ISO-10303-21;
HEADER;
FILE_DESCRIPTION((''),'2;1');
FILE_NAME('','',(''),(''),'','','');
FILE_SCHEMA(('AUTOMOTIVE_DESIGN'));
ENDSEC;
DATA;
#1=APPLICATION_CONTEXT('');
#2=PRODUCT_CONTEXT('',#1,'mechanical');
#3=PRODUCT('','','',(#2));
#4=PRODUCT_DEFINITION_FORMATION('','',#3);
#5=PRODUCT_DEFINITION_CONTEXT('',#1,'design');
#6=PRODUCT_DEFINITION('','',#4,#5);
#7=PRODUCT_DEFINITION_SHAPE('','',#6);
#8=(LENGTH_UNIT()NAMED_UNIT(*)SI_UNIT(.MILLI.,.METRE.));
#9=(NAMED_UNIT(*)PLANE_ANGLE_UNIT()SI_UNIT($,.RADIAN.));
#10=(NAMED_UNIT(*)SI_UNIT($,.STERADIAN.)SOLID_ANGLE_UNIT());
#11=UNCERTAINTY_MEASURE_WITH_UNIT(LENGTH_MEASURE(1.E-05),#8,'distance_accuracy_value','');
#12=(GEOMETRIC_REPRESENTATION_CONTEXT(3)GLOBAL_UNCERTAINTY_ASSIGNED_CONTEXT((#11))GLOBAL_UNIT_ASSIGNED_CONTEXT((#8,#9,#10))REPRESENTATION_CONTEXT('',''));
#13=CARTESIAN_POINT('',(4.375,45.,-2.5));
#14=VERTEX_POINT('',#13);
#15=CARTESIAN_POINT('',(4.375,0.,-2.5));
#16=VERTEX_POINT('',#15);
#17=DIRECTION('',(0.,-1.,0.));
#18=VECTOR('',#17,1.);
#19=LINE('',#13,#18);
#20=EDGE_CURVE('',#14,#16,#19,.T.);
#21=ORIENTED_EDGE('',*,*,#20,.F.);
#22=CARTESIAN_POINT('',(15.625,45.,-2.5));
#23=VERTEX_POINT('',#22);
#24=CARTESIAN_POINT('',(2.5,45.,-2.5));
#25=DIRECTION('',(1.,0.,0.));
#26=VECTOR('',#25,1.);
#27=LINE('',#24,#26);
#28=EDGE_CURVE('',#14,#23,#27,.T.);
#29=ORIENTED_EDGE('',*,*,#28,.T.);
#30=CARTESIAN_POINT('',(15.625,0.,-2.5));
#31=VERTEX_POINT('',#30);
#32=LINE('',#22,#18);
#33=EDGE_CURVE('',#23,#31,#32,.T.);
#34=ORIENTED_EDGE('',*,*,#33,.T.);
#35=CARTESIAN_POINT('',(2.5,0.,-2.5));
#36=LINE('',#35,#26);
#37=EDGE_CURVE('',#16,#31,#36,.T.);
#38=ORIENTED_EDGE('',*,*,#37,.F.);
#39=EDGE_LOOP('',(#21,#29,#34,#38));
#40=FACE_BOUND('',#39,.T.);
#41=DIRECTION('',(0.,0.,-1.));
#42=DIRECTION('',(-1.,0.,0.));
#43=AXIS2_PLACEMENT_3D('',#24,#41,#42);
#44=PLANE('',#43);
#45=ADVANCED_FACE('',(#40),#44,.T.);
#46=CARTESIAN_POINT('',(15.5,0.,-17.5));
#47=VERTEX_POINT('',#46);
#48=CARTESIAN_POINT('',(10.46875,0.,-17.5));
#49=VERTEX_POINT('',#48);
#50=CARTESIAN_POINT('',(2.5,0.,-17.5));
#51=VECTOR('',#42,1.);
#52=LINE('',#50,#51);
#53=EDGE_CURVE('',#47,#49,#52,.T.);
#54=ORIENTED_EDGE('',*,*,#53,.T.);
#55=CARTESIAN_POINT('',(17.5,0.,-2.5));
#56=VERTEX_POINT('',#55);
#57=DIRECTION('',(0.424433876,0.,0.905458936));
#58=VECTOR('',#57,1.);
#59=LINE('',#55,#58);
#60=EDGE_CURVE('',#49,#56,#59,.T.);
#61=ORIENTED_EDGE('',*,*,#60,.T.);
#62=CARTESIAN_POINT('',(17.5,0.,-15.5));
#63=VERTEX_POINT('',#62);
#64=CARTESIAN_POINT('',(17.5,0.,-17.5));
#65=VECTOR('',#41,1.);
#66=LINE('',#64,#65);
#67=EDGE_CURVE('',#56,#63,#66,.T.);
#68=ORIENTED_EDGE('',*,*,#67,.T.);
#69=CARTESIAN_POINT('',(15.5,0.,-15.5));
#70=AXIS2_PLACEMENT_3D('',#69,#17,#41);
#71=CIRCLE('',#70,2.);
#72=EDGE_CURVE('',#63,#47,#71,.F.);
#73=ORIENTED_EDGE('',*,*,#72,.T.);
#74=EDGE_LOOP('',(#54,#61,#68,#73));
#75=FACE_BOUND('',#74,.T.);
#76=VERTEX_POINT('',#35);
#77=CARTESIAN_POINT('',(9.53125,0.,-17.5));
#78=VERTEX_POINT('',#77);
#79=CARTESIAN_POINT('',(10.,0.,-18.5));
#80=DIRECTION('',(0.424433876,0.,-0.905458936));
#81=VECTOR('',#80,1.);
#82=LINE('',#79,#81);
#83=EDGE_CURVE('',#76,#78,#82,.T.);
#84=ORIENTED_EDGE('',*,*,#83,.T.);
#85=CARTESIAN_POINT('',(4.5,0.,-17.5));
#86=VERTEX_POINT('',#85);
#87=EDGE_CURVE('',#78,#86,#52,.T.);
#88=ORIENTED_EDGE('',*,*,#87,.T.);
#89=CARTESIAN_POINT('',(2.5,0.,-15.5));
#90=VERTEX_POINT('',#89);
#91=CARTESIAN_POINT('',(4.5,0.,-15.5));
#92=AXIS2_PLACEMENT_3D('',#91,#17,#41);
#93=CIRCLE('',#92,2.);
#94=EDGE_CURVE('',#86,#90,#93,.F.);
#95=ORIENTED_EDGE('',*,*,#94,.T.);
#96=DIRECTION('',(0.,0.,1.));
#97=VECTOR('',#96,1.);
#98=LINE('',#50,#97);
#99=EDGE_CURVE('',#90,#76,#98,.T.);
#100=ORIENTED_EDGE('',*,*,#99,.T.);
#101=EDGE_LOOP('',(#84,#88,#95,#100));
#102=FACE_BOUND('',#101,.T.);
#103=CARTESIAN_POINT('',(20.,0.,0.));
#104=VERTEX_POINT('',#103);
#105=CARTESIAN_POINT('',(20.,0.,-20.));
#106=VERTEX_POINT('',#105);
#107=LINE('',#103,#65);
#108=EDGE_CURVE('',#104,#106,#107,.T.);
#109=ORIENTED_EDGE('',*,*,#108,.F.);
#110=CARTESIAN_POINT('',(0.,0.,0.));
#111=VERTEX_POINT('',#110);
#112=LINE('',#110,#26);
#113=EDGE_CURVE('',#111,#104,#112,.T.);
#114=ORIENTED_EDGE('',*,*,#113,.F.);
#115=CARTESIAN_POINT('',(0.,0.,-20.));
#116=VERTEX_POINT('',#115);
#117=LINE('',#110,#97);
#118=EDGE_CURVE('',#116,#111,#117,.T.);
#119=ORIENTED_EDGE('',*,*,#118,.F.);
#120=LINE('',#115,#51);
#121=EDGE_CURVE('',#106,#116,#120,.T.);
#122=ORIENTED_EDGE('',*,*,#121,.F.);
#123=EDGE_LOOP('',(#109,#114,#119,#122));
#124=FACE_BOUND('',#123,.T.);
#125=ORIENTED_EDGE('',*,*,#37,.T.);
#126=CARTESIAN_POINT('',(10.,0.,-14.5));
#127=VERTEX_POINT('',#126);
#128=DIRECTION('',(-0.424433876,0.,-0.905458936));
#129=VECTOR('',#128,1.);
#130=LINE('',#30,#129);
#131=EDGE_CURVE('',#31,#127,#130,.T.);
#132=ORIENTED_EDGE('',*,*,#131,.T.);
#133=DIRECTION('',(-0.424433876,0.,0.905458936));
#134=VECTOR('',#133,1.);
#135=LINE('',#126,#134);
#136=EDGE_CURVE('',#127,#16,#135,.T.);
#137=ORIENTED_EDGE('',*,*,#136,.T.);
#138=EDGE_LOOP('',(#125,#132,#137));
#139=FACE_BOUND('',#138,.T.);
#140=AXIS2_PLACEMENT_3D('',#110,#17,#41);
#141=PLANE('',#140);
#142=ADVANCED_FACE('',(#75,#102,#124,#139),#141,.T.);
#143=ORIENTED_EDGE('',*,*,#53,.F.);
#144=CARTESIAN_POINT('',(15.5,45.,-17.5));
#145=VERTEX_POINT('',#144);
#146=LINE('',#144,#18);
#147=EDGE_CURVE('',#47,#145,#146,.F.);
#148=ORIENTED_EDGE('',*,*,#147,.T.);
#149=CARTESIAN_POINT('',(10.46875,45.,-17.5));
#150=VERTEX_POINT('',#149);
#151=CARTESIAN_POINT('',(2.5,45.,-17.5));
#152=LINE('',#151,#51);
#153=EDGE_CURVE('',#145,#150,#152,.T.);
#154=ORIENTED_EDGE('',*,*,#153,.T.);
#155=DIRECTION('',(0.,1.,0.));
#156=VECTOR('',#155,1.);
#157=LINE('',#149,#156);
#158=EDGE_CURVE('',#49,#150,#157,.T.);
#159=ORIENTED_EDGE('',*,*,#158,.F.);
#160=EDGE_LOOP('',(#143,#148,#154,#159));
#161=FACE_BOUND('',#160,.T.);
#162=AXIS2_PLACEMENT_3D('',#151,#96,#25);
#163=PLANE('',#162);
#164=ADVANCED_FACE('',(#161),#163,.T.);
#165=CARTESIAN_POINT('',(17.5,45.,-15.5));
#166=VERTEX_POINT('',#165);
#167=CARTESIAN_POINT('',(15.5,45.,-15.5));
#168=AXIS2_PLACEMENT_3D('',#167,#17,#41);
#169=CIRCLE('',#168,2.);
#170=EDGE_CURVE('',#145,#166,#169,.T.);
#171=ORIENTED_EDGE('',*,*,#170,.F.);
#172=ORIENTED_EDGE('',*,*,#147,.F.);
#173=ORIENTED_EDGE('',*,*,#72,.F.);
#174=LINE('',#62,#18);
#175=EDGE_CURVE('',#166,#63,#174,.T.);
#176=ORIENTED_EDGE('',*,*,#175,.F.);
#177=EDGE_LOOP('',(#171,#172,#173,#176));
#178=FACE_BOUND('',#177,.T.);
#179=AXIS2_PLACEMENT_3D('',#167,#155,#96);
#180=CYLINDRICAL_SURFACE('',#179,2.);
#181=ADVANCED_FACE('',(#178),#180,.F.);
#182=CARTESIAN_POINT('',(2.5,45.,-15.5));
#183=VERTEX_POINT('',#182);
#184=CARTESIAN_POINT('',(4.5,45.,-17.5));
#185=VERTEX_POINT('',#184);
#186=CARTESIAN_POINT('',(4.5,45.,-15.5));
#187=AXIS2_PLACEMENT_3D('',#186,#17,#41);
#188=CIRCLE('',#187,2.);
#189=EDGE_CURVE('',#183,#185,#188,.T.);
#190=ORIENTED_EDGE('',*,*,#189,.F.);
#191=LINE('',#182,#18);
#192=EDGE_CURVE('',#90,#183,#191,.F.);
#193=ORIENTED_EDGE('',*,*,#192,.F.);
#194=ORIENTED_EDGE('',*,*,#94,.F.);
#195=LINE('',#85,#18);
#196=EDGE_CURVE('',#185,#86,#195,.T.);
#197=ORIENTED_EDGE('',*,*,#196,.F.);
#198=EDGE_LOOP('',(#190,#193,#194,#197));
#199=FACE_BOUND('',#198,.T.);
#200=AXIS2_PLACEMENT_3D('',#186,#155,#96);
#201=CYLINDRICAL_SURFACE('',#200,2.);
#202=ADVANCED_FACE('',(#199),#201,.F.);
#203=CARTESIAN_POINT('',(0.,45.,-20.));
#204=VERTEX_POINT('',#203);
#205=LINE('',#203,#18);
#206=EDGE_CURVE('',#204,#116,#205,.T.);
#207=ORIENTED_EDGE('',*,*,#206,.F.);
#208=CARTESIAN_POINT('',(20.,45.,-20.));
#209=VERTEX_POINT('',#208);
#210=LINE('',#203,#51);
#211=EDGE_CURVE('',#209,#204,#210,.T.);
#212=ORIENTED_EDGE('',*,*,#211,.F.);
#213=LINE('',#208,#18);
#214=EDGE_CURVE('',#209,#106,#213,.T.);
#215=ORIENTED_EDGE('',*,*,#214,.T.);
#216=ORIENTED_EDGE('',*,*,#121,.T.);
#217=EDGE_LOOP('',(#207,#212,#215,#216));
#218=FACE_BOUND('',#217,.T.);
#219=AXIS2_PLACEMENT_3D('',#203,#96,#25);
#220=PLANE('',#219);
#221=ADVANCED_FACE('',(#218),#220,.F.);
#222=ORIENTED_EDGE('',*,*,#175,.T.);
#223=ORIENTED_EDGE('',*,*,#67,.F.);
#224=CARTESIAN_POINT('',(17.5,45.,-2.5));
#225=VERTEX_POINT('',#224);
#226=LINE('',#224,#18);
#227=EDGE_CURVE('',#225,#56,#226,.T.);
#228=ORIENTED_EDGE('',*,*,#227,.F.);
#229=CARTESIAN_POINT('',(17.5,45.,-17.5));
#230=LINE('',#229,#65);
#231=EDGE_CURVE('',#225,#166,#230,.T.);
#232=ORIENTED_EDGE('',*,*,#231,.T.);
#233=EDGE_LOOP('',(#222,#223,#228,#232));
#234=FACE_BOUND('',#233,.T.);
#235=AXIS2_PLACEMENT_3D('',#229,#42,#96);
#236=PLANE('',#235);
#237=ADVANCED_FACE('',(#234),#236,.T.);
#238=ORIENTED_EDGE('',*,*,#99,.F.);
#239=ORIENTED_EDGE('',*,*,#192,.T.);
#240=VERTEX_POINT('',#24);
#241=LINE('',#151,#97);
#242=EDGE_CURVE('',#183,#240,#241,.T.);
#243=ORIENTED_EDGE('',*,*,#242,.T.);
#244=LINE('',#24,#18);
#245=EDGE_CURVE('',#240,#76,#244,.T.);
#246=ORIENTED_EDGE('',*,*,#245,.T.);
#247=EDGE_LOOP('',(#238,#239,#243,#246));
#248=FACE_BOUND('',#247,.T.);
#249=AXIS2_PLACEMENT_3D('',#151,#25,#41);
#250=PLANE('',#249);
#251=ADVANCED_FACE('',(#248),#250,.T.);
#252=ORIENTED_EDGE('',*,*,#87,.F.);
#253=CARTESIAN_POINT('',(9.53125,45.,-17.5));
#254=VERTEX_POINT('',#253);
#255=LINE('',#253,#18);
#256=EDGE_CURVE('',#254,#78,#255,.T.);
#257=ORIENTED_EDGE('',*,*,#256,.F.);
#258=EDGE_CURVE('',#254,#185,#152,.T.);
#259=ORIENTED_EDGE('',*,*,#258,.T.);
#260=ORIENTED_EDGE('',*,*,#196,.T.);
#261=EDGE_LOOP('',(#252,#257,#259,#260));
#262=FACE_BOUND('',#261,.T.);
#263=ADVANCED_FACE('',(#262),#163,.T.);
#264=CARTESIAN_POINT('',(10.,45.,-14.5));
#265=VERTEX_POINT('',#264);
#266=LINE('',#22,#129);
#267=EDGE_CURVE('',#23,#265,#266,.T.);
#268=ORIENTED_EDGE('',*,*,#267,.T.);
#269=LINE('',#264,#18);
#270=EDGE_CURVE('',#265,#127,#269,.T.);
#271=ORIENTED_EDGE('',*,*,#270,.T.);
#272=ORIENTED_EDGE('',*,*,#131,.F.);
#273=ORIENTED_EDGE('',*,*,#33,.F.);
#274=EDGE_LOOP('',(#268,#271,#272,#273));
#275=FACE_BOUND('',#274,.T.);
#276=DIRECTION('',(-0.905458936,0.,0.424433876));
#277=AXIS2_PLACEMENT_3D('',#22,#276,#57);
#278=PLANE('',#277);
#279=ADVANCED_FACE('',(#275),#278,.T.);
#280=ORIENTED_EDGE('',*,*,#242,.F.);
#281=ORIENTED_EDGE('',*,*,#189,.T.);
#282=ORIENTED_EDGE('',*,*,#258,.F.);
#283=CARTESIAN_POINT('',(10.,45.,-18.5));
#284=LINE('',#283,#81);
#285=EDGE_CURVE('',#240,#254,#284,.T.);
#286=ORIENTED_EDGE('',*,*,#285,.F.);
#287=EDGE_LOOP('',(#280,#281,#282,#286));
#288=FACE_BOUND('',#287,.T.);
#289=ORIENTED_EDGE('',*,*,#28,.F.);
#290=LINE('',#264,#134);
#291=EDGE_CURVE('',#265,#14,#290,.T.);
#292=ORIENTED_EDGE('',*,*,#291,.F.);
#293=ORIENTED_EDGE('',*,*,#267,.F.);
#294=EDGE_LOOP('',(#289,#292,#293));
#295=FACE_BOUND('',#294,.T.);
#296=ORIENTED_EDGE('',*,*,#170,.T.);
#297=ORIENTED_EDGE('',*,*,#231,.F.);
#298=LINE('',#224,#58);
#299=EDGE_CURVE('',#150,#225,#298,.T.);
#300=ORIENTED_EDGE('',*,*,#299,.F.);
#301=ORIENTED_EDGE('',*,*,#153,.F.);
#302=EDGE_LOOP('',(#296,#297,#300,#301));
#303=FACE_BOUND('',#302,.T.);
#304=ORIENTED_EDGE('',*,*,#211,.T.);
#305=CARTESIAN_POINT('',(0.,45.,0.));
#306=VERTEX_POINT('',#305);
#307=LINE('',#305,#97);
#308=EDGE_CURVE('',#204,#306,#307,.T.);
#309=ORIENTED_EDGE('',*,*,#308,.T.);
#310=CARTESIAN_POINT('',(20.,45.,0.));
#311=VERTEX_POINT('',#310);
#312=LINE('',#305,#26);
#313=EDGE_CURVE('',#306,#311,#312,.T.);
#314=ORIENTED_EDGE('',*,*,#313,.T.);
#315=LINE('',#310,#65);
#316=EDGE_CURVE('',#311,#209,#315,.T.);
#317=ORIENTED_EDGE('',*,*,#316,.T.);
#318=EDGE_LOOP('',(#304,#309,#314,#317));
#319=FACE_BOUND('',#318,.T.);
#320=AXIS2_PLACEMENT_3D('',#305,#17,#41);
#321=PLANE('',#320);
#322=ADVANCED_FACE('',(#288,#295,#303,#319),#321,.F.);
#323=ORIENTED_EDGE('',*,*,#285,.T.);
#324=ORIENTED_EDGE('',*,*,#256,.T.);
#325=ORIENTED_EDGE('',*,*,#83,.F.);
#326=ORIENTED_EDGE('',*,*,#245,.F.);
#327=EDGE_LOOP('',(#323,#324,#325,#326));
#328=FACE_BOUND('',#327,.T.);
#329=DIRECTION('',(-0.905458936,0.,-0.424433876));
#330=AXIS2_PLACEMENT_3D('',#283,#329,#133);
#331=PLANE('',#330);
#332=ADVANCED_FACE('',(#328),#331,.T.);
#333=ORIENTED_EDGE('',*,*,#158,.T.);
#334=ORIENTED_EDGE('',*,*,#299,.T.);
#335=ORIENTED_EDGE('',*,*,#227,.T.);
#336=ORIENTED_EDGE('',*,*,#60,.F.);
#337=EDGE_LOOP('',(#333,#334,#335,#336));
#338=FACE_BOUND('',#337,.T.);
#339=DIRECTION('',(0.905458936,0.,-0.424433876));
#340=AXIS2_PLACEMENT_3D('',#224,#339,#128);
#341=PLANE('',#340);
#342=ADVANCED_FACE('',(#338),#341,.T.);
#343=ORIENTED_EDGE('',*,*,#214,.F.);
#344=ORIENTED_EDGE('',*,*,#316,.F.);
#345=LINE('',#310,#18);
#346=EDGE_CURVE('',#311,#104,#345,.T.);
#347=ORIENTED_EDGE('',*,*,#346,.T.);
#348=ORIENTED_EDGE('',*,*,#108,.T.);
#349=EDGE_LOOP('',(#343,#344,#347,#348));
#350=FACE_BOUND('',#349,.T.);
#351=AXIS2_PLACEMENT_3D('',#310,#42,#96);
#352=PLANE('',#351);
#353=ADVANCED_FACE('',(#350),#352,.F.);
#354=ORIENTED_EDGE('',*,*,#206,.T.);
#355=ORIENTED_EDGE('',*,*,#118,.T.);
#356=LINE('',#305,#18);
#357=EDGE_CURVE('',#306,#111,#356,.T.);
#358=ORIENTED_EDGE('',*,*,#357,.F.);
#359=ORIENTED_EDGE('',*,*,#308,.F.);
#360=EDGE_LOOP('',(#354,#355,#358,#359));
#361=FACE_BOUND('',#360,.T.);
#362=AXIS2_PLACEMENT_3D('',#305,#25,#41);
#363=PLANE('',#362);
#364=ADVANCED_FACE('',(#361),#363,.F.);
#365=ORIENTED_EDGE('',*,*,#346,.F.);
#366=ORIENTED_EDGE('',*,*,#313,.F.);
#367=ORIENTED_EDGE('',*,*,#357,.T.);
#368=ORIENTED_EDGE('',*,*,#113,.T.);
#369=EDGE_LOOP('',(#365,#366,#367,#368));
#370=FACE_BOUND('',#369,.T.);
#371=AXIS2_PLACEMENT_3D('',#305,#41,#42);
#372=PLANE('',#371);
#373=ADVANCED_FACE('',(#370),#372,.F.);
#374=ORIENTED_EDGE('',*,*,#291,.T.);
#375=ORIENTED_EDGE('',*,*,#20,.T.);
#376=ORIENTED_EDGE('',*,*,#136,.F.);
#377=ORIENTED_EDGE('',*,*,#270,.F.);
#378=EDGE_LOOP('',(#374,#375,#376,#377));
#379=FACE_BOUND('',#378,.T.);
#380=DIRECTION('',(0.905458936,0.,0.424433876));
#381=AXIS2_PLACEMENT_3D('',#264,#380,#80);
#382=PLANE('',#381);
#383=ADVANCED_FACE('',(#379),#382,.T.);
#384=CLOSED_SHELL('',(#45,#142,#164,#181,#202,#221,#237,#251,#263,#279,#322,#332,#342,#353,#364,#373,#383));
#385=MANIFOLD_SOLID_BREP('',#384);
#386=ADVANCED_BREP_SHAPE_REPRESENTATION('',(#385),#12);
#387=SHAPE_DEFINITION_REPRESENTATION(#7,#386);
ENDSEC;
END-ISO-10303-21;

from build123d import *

# Parameters (mm, degrees)
SKETCH1_W           = 20
SKETCH1_H           = 20
SKETCH1_W_2         = 15
SKETCH1_H_2         = 15
BOSS_EXTRUDE1_DEPTH = 45
BOSS_EXTRUDE4_DEPTH = 45
FILLET2_R           = 2


with BuildPart() as part:
    # Sketch1 → Boss-Extrude1 (new body)
    with BuildSketch(Plane(origin=(0, 0, 0), x_dir=(1, 0, 0), z_dir=(0, 1, 0))):
        with Locations((10, 10)):
            Rectangle(SKETCH1_W, SKETCH1_H)
        with Locations((10, 10)):
            Rectangle(SKETCH1_W_2, SKETCH1_H_2, mode=Mode.SUBTRACT)
    extrude(amount=BOSS_EXTRUDE1_DEPTH)

    # Sketch3 → Boss-Extrude4 (add, through all)
    with BuildSketch(Plane.XZ):
        Polygon((17.5, -2.5), (10, -18.5), (2.5, -2.5), (4.375, -2.5), (10, -14.5), (15.625, -2.5), align=None)
    extrude(amount=-BOSS_EXTRUDE4_DEPTH)

    # Fillet2
    fillet2_edges = [part.edges().sort_by_distance(p)[0] for p in [
        (2.5, 22.5, -17.5),
        (17.5, 22.5, -17.5),
    ]]
    fillet(fillet2_edges, radius=FILLET2_R)


solid = part.part
